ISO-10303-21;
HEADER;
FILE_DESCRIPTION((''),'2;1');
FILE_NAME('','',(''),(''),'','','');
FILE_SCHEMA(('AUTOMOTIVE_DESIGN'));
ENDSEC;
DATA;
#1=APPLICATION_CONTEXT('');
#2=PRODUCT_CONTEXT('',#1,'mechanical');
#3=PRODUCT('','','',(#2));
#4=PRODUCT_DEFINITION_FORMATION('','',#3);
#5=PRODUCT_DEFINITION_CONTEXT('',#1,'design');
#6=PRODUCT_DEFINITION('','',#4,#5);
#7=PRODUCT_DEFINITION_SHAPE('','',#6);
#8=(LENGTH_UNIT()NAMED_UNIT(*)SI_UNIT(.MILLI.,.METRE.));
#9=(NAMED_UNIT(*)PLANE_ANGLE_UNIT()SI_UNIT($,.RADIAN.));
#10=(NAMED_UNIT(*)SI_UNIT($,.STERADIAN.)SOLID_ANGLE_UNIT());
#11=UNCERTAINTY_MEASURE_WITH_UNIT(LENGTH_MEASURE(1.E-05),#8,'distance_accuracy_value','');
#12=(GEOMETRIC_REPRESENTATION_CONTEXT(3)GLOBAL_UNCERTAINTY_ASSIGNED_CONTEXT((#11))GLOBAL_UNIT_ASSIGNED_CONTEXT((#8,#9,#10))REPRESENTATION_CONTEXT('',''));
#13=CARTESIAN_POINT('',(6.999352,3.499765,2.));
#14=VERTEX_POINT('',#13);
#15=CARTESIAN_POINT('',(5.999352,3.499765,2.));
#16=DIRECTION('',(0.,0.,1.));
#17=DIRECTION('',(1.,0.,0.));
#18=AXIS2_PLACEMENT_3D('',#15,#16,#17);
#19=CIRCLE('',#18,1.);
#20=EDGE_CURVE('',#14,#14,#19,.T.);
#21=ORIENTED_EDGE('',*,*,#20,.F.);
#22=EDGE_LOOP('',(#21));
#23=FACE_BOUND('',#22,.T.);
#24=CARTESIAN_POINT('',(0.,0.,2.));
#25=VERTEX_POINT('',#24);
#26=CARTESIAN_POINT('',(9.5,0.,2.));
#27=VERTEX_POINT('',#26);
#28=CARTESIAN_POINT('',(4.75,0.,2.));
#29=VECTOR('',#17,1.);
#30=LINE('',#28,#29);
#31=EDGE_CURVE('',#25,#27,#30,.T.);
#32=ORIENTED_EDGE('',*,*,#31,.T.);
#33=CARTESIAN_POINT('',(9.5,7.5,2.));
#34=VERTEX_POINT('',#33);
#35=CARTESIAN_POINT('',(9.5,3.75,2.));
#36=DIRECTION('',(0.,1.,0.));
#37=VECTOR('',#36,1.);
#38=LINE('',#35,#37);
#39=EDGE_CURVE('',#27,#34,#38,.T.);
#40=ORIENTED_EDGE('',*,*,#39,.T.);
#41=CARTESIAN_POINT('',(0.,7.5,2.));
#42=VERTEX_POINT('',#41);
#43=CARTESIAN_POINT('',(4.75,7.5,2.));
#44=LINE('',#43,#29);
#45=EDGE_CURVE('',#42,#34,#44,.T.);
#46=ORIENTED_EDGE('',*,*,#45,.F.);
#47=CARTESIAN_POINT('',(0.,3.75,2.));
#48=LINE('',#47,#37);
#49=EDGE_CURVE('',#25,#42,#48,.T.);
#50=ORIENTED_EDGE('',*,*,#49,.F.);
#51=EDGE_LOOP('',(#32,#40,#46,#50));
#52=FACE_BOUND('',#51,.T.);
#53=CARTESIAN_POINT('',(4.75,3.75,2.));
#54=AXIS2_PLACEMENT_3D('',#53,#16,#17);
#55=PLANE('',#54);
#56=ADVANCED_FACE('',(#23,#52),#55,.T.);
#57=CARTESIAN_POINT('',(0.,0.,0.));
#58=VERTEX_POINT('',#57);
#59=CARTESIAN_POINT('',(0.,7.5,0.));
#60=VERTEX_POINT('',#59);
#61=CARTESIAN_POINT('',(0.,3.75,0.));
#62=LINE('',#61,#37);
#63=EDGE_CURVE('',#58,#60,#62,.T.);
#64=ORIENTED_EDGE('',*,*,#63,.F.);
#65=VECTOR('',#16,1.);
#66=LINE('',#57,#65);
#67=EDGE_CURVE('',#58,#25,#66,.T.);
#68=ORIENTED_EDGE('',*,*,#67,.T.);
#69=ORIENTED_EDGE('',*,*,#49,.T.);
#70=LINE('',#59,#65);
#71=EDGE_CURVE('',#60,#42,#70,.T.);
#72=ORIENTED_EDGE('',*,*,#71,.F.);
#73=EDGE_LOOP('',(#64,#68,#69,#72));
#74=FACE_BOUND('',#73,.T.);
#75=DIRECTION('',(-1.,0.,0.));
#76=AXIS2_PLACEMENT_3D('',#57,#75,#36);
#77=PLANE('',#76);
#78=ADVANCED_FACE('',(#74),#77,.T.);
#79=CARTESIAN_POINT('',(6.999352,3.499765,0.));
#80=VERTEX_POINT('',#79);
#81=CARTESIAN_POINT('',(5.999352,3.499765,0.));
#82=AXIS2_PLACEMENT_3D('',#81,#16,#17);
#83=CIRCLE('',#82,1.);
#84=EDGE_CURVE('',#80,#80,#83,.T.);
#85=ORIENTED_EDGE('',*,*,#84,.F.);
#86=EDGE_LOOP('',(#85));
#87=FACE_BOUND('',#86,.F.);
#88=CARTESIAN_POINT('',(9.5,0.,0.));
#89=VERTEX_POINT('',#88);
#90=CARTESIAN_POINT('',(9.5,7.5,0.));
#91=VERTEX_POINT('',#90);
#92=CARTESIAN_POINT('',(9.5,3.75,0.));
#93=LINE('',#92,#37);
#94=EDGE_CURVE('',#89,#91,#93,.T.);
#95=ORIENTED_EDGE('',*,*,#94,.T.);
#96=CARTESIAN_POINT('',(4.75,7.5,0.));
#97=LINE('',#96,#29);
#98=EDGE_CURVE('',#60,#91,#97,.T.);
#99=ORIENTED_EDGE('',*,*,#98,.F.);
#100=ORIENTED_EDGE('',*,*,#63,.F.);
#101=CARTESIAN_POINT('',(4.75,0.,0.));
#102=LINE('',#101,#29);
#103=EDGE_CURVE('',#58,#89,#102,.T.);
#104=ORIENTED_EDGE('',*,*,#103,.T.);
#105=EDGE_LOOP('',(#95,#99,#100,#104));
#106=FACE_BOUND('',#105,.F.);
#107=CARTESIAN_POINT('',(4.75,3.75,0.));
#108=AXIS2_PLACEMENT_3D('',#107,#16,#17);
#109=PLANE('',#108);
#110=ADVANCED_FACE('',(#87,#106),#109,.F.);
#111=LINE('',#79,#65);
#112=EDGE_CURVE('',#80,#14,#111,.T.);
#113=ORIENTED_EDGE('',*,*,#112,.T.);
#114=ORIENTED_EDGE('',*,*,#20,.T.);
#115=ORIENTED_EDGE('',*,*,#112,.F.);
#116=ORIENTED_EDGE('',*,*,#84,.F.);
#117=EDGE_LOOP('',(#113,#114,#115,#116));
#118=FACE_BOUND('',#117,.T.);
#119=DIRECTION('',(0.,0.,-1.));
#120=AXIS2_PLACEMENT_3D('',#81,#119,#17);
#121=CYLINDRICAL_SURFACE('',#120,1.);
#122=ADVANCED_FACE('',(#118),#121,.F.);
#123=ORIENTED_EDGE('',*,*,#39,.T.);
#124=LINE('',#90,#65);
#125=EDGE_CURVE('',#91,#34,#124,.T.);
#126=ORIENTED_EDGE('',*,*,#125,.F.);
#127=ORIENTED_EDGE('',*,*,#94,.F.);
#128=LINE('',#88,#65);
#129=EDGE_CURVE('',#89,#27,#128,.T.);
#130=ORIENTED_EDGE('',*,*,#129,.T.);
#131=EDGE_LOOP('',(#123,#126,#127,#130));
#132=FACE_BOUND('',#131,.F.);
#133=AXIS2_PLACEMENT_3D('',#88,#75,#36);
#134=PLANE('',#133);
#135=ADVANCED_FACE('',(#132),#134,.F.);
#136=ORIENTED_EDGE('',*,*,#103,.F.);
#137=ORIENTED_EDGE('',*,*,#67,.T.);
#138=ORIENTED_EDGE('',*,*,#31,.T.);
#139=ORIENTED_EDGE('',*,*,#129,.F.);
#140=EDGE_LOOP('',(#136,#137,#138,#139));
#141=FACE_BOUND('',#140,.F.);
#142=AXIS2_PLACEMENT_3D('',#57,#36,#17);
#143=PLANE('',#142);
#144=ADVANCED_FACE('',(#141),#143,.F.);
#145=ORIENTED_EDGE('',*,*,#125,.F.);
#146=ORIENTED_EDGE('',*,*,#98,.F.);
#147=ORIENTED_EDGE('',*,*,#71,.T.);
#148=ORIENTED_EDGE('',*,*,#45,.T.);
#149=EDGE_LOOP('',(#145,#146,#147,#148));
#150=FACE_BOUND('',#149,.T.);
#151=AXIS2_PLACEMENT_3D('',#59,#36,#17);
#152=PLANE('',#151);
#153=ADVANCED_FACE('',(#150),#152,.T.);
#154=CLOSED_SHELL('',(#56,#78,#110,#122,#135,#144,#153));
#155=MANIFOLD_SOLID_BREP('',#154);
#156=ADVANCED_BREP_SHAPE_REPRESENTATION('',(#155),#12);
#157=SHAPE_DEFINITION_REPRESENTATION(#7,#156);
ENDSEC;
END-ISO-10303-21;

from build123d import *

# Parameters (mm, degrees)
SKETCH_W  = 9.5
SKETCH_H  = 7.5
SKETCH_R  = 1
PAD_DEPTH = 2


with BuildPart() as part:
    # Sketch → Pad (new body)
    with BuildSketch(Plane.XY):
        with Locations((4.75, 3.75)):
            Rectangle(SKETCH_W, SKETCH_H)
        with Locations((5.999352, 3.499765)):
            Circle(SKETCH_R, mode=Mode.SUBTRACT)
    extrude(amount=PAD_DEPTH)


solid = part.part
